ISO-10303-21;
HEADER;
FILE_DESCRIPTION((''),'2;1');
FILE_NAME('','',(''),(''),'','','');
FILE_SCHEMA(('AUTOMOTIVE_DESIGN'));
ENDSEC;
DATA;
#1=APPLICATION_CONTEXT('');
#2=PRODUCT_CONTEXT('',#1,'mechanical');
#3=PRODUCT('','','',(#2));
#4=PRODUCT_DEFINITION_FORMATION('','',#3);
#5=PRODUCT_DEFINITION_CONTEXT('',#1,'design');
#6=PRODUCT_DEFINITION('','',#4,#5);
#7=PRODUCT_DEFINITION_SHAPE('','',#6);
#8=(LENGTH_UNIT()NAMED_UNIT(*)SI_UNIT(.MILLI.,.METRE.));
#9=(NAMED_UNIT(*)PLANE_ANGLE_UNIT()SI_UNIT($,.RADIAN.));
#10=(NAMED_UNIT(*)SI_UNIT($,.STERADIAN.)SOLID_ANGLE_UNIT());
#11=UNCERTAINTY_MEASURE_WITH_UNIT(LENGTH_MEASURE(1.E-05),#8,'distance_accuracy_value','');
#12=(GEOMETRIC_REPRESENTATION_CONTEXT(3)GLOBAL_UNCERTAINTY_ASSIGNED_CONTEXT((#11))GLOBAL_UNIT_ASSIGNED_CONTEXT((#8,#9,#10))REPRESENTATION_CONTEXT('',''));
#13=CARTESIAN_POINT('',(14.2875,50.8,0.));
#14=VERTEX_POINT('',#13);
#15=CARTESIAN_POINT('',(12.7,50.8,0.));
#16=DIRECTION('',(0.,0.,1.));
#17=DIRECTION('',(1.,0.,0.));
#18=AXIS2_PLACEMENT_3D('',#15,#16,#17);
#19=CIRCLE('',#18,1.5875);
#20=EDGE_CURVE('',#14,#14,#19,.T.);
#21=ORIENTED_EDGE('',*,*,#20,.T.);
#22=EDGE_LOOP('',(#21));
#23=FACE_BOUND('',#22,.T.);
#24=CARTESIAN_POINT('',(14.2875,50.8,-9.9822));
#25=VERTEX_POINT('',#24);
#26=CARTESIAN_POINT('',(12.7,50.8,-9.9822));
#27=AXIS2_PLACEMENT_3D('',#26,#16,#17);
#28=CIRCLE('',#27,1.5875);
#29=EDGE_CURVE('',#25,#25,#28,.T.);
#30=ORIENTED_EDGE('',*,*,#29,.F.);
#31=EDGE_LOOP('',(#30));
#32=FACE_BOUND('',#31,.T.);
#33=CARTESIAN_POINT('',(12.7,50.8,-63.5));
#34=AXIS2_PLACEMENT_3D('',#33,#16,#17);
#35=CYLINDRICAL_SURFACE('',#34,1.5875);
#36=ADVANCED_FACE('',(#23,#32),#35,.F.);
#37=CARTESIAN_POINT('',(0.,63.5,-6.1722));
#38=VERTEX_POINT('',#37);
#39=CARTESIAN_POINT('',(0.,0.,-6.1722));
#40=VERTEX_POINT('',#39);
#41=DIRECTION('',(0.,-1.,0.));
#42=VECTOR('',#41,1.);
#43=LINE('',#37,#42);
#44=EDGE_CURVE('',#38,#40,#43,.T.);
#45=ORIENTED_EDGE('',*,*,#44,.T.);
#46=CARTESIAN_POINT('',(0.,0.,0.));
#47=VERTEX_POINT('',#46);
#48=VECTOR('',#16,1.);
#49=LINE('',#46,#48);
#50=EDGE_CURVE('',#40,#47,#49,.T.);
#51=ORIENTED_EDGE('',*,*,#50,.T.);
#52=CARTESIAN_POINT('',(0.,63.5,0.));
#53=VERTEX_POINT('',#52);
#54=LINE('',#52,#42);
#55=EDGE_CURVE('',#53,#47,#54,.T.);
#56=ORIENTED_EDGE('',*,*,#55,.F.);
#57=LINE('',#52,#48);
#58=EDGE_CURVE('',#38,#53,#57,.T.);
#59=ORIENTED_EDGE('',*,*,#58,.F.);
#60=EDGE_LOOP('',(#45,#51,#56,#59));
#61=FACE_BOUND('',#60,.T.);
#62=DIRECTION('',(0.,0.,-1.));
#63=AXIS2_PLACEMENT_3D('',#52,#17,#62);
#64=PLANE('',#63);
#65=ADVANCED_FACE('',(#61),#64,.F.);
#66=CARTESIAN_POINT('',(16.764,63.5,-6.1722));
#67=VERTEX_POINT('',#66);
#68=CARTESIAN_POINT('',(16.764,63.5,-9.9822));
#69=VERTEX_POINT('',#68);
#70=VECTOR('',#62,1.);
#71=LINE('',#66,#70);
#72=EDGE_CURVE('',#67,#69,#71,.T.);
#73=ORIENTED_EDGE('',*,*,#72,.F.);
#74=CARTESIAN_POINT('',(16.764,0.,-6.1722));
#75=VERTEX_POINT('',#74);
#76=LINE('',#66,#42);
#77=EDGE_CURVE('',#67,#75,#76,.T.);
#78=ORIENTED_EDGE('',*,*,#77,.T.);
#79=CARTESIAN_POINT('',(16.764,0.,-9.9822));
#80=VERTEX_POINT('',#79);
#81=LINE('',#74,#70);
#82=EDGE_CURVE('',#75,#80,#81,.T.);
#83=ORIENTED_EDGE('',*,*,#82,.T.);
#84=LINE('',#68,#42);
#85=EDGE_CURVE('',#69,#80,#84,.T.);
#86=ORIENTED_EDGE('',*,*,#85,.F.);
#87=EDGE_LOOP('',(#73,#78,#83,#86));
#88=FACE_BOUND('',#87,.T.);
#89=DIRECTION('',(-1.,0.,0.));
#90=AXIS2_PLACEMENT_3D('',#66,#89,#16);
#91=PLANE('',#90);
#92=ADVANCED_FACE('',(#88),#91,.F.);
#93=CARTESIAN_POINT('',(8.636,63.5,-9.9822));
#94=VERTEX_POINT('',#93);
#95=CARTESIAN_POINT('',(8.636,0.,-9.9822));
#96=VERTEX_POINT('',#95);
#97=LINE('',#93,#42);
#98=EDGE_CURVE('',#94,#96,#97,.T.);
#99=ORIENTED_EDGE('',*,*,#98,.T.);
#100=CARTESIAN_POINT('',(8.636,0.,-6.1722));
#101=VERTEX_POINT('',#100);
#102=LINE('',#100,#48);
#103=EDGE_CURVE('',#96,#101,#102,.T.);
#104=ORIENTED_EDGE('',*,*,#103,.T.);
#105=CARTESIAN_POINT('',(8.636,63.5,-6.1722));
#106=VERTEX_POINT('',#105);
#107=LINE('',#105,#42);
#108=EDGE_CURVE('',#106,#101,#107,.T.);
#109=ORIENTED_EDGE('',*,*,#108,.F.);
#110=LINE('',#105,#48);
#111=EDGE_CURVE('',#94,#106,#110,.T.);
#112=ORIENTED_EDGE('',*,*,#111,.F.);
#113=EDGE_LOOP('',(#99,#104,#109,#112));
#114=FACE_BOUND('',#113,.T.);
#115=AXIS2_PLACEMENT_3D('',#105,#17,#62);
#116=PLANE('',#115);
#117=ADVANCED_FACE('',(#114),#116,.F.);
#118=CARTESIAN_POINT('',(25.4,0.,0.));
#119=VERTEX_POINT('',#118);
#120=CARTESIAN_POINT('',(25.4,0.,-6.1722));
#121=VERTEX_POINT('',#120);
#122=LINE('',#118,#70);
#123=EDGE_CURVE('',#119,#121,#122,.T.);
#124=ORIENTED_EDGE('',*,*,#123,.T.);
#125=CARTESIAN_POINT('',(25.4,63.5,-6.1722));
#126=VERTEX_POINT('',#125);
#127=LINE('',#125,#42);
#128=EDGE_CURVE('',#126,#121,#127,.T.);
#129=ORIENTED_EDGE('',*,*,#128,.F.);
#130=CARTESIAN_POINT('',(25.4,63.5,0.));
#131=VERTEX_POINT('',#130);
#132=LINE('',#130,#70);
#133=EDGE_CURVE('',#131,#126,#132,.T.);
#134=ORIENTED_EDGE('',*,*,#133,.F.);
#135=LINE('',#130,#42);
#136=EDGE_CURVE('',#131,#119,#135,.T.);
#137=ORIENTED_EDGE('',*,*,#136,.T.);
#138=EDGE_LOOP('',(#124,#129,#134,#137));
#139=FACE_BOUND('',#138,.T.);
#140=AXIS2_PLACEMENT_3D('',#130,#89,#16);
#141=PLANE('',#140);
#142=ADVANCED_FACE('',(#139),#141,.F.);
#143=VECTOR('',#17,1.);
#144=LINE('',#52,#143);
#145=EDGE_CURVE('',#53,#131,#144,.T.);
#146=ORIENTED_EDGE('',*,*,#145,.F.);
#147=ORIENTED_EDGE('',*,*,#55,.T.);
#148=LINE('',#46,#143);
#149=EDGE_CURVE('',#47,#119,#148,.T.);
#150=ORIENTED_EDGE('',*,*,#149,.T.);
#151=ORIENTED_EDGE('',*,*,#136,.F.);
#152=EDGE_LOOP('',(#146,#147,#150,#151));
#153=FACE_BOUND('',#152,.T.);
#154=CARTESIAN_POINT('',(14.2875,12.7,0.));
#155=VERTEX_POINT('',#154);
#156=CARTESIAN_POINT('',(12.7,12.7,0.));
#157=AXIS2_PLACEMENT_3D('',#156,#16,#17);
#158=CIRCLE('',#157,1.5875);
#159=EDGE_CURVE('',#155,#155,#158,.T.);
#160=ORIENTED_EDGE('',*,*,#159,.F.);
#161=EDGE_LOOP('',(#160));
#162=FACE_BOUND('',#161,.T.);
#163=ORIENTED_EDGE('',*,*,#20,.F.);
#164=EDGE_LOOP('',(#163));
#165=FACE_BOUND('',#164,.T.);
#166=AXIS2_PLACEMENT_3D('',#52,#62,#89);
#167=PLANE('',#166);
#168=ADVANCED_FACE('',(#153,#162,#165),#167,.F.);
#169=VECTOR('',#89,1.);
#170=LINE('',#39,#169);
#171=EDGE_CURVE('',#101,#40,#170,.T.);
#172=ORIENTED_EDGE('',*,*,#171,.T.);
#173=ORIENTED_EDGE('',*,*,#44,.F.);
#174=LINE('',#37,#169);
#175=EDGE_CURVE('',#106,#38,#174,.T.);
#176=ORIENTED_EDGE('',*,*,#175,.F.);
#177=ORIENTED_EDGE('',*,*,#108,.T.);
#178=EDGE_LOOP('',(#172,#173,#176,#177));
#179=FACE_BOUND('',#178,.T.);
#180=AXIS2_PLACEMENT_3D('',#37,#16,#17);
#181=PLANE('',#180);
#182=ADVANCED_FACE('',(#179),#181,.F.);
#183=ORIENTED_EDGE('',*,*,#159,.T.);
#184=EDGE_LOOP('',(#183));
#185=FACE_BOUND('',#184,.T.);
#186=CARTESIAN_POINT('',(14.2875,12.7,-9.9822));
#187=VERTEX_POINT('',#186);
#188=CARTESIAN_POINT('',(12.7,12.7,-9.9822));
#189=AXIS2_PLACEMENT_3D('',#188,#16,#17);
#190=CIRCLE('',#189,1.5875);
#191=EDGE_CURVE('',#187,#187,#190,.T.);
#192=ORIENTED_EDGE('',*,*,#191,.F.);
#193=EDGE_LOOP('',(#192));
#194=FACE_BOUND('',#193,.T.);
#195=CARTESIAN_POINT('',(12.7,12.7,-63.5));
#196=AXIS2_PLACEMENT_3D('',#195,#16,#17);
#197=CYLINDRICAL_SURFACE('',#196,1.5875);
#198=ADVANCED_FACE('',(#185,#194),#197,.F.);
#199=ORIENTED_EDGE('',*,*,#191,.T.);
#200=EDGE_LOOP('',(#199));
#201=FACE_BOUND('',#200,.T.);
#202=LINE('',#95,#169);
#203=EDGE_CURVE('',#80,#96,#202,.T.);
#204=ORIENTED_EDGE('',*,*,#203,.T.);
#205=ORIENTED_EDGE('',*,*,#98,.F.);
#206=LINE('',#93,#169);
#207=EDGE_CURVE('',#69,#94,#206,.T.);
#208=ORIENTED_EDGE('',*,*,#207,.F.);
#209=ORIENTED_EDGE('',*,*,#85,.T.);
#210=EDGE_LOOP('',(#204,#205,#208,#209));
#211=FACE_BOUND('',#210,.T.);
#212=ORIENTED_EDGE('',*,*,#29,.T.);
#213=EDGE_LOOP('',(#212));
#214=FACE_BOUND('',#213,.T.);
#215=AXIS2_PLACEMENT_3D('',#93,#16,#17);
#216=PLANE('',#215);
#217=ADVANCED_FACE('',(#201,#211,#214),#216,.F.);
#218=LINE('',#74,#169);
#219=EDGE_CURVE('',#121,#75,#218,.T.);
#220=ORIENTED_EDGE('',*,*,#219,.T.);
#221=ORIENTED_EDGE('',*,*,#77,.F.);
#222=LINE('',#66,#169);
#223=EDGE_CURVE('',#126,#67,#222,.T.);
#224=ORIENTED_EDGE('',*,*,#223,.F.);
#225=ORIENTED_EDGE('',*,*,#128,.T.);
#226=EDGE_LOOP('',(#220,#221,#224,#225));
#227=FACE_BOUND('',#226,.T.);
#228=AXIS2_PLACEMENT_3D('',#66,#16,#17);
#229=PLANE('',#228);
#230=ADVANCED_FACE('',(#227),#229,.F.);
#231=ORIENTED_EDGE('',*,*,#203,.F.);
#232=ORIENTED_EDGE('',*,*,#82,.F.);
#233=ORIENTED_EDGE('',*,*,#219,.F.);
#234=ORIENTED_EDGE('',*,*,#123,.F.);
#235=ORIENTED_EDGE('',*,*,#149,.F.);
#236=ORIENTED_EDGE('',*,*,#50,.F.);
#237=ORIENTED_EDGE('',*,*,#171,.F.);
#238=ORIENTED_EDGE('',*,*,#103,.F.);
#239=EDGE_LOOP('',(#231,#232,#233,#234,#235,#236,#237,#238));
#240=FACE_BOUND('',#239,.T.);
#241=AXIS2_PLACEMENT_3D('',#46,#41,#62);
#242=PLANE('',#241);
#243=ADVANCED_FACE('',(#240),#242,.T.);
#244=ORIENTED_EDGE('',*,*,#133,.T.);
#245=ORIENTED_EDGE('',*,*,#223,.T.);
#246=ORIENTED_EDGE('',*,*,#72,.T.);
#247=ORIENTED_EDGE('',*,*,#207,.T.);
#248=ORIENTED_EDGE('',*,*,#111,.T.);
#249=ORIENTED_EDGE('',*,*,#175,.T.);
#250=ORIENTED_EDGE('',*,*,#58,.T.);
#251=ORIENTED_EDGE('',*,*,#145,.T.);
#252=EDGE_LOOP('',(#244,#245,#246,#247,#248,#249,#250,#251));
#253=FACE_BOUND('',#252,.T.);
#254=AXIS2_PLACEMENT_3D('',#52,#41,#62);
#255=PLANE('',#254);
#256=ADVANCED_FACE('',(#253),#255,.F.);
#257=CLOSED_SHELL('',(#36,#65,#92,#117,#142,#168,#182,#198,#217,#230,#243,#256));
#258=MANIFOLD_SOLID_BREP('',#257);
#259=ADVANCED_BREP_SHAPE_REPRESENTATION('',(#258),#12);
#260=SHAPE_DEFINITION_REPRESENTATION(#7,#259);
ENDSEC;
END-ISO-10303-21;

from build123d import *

# Parameters (mm, degrees)
BOSS_EXTRUDE1_DEPTH = 63.5
SKETCH3_R           = 1.5875
CUT_EXTRUDE1_DEPTH  = 63.5


with BuildPart() as part:
    # Sketch2 → Boss-Extrude1 (new body)
    with BuildSketch(Plane(origin=(0, 0, 0), x_dir=(1, 0, 0), z_dir=(0, 1, 0))):
        Polygon((16.764, 6.1722), (25.4, 6.1722), (25.4, 0), (0, 0), (0, 6.1722), (8.636, 6.1722), (8.636, 9.9822), (16.764, 9.9822), align=None)
    extrude(amount=BOSS_EXTRUDE1_DEPTH)

    # Sketch3 → Cut-Extrude1 (cut)
    with BuildSketch(Plane.XY):
        with Locations((12.7, 50.8)):
            Circle(SKETCH3_R)
        with Locations((12.7, 12.7)):
            Circle(SKETCH3_R)
    extrude(amount=-CUT_EXTRUDE1_DEPTH, mode=Mode.SUBTRACT)


solid = part.part
